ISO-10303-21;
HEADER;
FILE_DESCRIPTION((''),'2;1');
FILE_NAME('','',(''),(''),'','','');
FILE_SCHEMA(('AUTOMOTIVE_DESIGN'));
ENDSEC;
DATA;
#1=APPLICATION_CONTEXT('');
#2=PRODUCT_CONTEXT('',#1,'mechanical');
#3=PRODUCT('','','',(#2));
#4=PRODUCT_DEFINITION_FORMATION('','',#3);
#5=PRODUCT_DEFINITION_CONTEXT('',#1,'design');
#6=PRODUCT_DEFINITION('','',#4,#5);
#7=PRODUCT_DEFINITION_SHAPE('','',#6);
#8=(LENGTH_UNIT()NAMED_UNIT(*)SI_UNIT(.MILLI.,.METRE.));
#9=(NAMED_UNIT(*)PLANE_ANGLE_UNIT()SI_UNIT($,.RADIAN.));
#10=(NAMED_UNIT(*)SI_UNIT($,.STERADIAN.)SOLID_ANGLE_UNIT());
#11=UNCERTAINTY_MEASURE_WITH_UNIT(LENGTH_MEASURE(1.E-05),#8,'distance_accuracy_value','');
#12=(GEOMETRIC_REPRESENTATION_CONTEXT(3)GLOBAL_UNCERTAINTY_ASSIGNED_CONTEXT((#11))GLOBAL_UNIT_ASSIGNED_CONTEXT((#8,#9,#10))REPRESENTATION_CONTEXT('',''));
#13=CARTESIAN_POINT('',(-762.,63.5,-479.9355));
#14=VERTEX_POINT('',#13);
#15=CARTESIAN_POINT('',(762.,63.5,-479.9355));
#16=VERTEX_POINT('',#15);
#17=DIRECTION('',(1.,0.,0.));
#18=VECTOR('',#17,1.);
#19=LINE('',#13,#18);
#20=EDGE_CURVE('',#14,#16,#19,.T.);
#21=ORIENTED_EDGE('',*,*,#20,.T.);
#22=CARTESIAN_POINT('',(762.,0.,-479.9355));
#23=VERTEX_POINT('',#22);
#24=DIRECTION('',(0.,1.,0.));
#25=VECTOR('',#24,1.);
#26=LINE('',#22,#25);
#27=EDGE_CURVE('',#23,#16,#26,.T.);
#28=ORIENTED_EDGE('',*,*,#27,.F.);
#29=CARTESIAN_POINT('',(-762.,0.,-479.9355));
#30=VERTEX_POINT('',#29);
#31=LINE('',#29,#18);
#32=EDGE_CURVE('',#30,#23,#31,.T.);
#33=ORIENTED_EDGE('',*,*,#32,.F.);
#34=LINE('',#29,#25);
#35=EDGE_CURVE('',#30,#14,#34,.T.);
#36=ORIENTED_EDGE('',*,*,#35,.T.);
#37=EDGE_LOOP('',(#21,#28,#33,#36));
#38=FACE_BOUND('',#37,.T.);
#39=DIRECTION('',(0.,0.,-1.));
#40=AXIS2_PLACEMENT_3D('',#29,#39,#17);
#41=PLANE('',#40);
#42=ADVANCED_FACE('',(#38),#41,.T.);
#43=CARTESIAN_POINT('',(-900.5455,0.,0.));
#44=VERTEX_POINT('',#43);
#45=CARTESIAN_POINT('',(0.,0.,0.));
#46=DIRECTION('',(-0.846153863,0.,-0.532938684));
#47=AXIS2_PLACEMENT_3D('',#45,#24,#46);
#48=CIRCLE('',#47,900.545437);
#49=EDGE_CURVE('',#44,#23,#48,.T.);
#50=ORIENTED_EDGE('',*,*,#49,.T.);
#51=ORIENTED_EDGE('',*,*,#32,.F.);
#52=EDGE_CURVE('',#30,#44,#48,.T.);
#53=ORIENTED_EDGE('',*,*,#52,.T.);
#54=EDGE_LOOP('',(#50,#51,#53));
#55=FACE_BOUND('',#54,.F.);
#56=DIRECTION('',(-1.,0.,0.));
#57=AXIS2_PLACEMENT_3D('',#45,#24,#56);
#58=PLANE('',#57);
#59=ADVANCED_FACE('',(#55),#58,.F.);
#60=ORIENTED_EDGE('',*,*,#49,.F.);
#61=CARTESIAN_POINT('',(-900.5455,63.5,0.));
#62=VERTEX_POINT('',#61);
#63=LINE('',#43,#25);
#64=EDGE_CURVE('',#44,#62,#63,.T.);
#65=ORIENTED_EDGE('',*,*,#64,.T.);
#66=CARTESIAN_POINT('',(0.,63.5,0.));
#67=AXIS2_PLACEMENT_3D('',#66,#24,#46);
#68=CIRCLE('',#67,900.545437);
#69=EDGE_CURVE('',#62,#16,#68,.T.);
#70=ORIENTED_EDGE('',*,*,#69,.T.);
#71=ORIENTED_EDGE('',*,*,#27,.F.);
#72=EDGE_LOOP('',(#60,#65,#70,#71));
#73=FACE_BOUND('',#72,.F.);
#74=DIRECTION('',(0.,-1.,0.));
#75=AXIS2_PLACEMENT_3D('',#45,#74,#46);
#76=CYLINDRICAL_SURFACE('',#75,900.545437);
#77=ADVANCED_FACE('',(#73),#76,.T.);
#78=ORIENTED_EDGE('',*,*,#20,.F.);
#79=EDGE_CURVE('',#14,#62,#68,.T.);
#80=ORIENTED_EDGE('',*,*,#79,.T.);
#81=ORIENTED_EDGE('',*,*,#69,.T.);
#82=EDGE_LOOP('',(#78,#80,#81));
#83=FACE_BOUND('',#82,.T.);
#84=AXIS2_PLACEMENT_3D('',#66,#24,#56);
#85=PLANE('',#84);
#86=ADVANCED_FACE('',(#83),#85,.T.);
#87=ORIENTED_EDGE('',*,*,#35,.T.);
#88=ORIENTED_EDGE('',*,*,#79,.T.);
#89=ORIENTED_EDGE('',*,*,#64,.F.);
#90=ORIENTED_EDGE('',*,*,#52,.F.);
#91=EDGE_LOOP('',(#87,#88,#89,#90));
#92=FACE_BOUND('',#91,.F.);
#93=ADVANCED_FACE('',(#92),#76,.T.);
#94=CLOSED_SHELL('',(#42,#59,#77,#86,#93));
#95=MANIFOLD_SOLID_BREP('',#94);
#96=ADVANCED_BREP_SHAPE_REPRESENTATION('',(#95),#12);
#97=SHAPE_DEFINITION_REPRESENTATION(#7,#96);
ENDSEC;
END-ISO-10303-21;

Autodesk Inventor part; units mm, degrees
ref_plane "YZ Plane" through (0, 0, 0) normal (1, 0, 0) x (0, 1, 0)
ref_plane "XZ Plane" through (0, 0, 0) normal (0, 1, 0) x (-1, 0, 0)
ref_plane "XY Plane" through (0, 0, 0) normal (0, 0, 1) x (1, 0, 0)
sketch "Sketch2" plane through (0, 0, 0) normal (0, 1, 0) x (-1, 0, 0)
  arc A0 (762, -479.9355) -> (-762, -479.9355) centre (0, 0) ccw
  line L0 (900.5455, 0) -> (762, 0)
  line L1 (762, -479.9355) -> (-762, -479.9355)
  dimension "d8" = 1524
extrude "Extrusion1" add sketch "Sketch2" along normal blind 63.5
properties part number "NestTop-ver1-1111-2021"
